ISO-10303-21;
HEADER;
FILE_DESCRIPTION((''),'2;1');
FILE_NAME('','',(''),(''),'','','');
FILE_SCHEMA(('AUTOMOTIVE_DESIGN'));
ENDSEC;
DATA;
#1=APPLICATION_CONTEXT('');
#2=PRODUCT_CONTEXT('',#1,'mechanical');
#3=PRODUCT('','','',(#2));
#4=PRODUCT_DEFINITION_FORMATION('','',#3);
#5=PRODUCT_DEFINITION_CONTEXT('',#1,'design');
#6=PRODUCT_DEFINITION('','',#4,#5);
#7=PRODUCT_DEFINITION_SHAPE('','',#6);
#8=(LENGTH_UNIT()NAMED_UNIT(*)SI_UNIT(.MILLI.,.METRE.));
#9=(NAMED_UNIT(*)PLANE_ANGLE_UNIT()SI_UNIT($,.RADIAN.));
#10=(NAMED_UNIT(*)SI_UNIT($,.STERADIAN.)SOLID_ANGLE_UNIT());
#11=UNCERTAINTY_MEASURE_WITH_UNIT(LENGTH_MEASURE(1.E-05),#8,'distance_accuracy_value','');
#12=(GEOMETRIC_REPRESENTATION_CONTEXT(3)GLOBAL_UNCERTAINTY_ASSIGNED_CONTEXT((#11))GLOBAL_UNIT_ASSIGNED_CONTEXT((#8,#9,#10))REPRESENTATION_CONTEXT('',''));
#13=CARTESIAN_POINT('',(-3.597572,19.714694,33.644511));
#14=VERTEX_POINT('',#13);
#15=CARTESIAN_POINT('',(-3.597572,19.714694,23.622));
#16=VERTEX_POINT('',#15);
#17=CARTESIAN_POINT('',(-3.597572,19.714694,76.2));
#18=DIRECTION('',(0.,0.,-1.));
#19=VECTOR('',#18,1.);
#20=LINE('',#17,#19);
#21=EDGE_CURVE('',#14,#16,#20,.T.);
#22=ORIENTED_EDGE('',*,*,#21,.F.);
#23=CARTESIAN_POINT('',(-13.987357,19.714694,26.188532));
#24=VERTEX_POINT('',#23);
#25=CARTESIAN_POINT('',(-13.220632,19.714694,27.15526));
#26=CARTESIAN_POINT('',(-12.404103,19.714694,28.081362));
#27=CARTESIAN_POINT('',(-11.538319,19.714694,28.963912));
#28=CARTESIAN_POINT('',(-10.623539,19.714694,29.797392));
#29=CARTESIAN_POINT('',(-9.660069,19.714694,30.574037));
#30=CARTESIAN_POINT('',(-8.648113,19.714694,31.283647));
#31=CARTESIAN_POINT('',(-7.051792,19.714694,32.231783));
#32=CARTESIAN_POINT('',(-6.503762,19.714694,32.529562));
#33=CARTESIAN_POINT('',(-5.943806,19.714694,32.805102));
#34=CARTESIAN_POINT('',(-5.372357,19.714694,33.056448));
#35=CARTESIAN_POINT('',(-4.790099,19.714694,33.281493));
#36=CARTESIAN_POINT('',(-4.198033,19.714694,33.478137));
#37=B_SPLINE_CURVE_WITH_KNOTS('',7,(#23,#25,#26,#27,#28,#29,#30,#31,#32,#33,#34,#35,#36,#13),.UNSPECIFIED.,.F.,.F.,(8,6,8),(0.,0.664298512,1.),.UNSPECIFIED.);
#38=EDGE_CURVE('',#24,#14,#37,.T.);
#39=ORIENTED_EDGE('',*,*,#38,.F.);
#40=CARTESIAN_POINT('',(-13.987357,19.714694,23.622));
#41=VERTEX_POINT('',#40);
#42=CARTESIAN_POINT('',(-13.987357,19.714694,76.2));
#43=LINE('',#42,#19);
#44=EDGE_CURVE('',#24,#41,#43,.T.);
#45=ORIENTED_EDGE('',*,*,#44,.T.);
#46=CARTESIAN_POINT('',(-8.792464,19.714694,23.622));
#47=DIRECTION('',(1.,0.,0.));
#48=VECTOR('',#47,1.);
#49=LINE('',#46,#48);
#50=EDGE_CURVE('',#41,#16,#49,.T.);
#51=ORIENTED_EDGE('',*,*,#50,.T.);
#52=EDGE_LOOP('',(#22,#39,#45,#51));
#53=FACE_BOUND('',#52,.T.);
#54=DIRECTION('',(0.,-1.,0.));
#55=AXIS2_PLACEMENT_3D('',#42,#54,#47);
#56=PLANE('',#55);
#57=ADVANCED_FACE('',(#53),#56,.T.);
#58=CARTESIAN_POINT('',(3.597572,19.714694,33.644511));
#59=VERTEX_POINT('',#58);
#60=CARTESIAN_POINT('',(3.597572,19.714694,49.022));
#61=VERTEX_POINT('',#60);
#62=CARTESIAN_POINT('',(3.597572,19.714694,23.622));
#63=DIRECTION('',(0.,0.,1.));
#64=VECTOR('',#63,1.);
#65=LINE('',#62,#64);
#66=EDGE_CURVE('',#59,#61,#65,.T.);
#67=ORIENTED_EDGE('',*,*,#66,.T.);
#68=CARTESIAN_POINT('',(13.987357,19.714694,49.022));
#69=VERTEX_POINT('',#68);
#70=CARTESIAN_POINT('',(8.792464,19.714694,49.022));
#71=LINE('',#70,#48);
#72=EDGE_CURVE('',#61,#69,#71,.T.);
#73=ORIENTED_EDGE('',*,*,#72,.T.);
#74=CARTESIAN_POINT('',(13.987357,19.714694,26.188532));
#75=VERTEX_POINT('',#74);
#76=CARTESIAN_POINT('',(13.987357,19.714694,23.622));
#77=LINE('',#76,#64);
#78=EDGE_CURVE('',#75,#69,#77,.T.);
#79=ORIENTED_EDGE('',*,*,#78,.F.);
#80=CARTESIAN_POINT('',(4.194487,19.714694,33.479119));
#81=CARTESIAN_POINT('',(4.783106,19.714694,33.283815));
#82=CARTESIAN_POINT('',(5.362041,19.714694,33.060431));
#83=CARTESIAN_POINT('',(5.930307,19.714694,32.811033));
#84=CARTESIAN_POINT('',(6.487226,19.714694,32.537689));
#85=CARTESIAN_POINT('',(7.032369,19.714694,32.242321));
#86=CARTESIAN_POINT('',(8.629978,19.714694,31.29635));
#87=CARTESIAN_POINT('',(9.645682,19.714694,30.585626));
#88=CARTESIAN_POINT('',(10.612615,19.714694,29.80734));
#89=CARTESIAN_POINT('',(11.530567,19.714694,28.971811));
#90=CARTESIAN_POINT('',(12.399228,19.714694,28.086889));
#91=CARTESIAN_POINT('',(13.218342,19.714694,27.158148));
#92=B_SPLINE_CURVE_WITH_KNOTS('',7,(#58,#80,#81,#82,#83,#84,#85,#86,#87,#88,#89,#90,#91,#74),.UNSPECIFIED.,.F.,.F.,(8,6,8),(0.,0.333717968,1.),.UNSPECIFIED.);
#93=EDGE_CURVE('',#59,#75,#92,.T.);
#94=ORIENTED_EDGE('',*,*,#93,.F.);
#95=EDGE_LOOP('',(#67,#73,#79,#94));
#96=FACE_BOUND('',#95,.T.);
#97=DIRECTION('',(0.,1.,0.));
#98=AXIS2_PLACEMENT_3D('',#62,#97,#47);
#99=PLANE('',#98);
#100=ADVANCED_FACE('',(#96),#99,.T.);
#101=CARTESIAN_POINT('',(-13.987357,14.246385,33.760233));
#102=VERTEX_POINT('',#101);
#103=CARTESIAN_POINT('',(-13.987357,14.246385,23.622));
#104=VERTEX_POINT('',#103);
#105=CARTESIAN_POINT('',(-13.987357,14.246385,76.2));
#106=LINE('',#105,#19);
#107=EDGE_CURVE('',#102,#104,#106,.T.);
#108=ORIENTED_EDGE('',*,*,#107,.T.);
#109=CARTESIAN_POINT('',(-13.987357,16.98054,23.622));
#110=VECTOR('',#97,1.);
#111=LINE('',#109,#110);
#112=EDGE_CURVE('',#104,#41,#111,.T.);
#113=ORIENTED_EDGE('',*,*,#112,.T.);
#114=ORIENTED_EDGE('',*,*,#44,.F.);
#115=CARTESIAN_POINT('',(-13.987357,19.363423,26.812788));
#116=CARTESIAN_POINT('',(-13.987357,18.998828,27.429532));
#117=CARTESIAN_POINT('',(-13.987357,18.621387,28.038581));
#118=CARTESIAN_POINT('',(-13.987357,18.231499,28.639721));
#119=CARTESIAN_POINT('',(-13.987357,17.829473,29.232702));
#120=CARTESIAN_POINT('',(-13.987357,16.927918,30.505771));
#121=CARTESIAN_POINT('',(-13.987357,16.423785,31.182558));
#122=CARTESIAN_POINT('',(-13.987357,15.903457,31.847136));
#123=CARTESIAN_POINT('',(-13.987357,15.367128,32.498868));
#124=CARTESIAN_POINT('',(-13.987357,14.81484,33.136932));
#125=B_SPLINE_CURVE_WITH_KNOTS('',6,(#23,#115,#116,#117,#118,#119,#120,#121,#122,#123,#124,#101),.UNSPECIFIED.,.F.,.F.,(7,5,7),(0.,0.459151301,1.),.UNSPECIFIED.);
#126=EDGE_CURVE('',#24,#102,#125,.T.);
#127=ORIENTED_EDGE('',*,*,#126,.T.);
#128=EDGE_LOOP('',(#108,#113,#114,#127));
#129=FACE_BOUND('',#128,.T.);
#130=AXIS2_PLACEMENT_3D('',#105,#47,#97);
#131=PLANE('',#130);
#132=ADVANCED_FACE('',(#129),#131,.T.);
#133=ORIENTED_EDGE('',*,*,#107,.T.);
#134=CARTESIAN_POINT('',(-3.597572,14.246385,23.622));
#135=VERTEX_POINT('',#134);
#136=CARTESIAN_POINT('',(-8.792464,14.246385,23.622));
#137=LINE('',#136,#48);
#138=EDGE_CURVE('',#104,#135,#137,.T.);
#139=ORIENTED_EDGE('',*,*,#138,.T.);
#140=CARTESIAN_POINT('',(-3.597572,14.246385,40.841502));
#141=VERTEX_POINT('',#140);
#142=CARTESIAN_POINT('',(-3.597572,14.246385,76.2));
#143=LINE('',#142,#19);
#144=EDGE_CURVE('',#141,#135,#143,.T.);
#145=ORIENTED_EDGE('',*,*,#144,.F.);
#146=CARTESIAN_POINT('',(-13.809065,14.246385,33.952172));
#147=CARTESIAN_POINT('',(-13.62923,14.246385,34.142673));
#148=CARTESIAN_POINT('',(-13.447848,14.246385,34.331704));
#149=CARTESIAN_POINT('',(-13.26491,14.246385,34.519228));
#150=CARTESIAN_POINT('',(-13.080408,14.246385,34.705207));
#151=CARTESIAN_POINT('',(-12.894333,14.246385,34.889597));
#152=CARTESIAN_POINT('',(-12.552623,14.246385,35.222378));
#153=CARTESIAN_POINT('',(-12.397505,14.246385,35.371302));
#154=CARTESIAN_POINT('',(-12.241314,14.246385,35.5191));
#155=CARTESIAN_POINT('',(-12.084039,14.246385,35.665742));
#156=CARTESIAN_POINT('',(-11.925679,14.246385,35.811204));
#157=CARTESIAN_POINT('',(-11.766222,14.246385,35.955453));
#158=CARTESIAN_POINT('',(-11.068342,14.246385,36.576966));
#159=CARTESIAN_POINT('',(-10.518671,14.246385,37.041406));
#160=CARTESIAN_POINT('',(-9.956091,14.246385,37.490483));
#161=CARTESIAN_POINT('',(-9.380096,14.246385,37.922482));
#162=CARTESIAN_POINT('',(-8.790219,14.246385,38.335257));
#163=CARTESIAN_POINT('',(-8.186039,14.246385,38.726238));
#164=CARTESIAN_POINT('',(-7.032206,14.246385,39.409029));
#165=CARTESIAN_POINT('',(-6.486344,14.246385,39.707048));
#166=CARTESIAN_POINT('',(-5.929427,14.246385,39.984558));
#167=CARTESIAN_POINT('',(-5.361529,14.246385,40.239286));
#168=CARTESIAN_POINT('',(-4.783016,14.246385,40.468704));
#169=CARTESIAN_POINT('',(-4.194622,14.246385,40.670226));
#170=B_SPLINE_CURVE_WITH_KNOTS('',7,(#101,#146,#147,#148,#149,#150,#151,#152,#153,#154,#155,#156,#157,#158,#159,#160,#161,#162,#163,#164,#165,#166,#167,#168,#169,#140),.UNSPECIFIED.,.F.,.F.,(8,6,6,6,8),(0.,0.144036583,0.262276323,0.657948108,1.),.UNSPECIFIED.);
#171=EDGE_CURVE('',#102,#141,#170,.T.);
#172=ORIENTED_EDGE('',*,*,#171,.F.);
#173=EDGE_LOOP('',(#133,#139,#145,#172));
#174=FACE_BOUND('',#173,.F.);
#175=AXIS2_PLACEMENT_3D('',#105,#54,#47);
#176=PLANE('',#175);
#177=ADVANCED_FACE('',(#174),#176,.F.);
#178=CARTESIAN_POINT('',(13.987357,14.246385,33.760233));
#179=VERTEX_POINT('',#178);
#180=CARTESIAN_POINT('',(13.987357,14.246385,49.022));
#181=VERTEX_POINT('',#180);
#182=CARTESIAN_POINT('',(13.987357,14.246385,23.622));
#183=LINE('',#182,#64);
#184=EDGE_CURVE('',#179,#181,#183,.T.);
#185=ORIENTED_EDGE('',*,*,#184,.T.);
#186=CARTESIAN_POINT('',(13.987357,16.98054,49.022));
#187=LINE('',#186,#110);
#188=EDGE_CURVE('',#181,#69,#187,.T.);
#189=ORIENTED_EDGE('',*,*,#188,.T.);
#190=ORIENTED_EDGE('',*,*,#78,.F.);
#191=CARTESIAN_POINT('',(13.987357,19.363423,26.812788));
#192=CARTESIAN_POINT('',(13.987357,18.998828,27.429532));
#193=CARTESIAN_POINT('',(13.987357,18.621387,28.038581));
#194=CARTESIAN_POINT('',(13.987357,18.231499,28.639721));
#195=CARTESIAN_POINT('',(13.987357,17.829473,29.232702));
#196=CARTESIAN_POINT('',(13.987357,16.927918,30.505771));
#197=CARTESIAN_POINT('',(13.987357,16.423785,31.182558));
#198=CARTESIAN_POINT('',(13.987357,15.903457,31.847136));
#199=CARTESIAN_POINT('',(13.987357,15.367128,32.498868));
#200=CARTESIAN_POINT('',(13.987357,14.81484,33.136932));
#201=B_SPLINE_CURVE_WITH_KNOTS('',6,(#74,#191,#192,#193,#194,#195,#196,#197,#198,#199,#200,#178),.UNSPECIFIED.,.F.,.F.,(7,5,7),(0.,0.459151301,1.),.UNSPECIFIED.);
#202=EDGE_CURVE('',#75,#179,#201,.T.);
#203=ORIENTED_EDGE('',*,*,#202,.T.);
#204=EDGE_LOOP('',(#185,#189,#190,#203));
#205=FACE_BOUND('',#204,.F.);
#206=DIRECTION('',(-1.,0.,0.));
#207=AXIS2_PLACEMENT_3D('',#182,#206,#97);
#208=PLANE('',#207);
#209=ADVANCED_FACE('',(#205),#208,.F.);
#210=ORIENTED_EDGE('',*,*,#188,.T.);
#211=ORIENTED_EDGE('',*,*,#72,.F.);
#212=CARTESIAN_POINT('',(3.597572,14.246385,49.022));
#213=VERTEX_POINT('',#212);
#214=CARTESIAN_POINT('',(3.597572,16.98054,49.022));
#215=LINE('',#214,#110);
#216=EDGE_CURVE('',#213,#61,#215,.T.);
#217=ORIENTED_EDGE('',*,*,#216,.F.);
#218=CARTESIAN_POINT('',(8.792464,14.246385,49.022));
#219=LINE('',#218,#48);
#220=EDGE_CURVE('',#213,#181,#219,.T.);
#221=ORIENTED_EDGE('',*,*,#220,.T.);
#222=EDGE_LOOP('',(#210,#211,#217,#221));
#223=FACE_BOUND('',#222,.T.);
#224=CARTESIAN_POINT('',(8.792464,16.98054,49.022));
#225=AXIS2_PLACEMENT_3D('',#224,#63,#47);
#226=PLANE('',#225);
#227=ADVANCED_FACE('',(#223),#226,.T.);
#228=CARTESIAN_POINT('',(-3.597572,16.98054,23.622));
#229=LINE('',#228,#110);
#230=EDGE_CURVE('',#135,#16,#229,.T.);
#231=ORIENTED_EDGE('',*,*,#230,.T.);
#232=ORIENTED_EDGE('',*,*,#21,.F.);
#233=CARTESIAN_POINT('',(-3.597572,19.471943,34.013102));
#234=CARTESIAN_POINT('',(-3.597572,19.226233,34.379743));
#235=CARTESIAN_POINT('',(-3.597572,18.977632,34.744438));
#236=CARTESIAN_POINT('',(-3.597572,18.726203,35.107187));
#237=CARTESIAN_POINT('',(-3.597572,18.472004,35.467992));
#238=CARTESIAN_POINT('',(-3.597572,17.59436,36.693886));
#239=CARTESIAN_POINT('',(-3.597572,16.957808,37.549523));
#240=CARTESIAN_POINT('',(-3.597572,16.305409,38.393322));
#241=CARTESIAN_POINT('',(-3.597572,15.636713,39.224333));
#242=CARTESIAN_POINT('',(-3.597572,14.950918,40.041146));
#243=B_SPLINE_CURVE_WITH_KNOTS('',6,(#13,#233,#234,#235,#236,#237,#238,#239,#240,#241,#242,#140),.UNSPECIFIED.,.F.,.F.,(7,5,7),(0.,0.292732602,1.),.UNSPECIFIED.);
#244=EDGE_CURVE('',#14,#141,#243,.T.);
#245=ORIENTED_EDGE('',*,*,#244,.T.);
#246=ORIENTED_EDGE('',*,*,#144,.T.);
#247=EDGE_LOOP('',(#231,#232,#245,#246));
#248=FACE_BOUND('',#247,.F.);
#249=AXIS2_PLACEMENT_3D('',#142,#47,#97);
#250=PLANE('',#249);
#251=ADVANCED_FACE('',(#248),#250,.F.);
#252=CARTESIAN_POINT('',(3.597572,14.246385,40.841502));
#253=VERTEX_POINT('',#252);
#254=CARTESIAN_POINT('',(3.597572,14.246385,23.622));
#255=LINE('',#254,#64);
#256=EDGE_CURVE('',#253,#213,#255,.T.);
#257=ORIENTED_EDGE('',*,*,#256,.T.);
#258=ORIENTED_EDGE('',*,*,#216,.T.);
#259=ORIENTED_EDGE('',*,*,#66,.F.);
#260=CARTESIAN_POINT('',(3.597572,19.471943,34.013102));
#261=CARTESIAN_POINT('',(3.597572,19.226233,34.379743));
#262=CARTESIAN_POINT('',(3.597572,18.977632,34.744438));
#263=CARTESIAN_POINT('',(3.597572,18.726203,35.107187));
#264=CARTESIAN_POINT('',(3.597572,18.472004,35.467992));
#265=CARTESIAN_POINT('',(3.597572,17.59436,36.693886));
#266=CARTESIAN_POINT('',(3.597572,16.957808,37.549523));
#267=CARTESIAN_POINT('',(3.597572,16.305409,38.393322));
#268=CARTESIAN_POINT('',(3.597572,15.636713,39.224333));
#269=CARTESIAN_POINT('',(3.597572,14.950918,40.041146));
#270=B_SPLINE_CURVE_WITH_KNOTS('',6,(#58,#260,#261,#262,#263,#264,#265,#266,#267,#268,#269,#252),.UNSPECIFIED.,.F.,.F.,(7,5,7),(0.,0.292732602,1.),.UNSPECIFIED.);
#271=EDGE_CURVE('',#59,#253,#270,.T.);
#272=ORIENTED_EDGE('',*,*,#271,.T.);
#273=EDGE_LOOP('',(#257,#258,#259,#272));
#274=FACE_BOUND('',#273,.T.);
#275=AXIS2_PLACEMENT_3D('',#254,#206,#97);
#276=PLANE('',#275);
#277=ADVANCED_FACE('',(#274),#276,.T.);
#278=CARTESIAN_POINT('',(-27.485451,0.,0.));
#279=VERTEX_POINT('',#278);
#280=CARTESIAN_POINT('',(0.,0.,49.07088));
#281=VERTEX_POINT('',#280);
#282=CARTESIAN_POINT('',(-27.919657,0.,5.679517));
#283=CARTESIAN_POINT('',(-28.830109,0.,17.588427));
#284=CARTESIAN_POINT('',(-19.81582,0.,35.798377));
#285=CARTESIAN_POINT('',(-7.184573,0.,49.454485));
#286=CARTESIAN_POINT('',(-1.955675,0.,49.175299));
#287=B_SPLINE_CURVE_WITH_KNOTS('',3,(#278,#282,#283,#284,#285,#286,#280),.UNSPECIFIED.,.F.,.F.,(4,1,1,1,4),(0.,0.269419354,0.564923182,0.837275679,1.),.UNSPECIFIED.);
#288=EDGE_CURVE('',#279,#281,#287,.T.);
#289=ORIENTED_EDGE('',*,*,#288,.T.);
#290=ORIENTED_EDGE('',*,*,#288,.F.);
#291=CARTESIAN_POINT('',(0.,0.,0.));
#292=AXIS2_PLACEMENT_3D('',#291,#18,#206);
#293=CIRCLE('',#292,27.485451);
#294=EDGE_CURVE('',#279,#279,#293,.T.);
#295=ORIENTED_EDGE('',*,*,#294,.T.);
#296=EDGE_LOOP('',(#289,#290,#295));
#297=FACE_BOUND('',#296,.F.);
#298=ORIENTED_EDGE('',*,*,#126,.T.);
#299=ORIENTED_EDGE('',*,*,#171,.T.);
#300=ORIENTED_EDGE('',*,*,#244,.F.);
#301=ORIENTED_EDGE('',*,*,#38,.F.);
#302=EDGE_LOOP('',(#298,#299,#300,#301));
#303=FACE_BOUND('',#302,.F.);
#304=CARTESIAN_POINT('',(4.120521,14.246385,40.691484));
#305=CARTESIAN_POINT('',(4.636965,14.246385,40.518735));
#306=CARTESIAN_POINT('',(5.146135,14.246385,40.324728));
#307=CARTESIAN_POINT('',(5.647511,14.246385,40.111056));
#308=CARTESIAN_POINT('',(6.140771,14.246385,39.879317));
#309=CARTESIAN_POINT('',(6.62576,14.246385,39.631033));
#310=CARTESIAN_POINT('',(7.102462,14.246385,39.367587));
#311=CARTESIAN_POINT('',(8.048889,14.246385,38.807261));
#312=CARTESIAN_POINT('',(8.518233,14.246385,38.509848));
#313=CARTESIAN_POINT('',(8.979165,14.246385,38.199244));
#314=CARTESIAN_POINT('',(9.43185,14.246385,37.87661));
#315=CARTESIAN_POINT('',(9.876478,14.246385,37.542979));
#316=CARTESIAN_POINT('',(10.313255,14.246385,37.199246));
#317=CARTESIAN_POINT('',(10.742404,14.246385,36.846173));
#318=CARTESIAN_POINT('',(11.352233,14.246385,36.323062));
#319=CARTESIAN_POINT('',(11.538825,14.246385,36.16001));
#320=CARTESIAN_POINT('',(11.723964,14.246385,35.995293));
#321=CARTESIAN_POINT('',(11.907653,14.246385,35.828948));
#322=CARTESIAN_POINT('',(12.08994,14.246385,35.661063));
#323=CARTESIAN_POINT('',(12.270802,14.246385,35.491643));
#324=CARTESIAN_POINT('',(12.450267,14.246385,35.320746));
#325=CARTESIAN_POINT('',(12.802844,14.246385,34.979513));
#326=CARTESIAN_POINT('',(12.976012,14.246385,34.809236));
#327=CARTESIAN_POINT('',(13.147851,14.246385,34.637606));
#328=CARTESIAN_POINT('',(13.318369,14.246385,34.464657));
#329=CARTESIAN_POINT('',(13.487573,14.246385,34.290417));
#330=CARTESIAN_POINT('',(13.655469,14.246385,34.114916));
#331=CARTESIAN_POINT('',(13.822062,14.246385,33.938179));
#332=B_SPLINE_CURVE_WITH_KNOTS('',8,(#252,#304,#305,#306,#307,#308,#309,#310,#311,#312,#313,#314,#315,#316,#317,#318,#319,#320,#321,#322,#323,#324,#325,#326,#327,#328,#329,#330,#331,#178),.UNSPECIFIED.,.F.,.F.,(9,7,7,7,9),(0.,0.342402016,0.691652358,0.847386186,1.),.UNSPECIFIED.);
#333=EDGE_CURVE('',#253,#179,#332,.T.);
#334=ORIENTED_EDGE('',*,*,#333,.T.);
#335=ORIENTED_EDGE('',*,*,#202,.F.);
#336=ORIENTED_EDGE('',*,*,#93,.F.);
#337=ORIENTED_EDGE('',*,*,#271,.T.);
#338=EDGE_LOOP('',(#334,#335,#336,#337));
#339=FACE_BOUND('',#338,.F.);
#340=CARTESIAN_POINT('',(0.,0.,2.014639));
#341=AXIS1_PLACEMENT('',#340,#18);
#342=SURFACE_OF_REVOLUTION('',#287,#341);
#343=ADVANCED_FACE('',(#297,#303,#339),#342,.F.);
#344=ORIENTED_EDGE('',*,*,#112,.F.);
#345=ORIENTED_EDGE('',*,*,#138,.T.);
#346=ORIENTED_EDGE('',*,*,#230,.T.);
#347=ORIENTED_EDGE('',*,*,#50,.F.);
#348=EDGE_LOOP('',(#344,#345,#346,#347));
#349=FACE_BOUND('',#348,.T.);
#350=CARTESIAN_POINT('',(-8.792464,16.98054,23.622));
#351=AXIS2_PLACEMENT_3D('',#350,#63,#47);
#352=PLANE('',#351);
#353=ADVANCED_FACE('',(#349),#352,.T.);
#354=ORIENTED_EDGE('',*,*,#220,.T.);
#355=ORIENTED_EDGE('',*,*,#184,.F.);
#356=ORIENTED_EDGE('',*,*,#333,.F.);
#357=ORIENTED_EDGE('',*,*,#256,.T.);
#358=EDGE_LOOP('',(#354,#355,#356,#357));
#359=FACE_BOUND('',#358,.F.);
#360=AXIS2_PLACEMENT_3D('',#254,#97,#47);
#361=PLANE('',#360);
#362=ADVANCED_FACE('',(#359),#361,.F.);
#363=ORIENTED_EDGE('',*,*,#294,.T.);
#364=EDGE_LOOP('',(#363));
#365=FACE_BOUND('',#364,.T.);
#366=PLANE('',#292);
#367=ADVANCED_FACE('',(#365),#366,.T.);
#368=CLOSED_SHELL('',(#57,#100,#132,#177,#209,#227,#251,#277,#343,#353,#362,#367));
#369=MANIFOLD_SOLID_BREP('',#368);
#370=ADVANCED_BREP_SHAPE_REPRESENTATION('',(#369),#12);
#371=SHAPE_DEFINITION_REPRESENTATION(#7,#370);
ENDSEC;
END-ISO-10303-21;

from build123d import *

# Parameters (mm, degrees)
F3_W     = 10.3897844814
F3_H     = 5.468309857
F4_DEPTH = 52.578
F5_DEPTH = 25.4


with BuildPart() as f1:
    # F0 (on Front) → F1 (revolve)
    with BuildSketch(Plane.XZ):
        with BuildLine():
            Line((0, 0), (0, 38.4220667183))
            Line((0, 38.4220667183), (0, 49.070879817))
            add(Edge.make_bspline(
                [(-27.4854507297, 0), (-27.9196571576, 5.6795171635), (-28.8301087382, 17.5884274105), (-19.8158202139, 35.7983770168), (-7.1845732595, 49.4544851436), (-1.955675103, 49.1752990162), (0, 49.070879817)],
                knots=[0, 0, 0, 0, 0.2694193541, 0.5649231817, 0.8372756791, 1, 1, 1, 1], degree=3))
            Line((-27.4854507297, 0), (0, 0))
        make_face()
    revolve(axis=Axis((0, 0, 2.0146388561), (0, 0, -1)))

    # F3 (on offset) → F4 (cut)
    with BuildSketch(Plane.XY.offset(76.2)):
        with Locations((-8.7924644537, 16.9805395417)):
            Rectangle(F3_W, F3_H)
        with Locations((8.7924644537, 16.9805395417)):
            Rectangle(F3_W, F3_H)
    extrude(amount=-F4_DEPTH, mode=Mode.SUBTRACT)

    # F5 (add): a face of the model
    f5_faces = [f1.faces().sort_by_distance(p)[0] for p in [
        (8.7924644537, 16.9805395417, 23.622),
    ]]
    extrude(f5_faces, amount=F5_DEPTH)


solid = f1.part
